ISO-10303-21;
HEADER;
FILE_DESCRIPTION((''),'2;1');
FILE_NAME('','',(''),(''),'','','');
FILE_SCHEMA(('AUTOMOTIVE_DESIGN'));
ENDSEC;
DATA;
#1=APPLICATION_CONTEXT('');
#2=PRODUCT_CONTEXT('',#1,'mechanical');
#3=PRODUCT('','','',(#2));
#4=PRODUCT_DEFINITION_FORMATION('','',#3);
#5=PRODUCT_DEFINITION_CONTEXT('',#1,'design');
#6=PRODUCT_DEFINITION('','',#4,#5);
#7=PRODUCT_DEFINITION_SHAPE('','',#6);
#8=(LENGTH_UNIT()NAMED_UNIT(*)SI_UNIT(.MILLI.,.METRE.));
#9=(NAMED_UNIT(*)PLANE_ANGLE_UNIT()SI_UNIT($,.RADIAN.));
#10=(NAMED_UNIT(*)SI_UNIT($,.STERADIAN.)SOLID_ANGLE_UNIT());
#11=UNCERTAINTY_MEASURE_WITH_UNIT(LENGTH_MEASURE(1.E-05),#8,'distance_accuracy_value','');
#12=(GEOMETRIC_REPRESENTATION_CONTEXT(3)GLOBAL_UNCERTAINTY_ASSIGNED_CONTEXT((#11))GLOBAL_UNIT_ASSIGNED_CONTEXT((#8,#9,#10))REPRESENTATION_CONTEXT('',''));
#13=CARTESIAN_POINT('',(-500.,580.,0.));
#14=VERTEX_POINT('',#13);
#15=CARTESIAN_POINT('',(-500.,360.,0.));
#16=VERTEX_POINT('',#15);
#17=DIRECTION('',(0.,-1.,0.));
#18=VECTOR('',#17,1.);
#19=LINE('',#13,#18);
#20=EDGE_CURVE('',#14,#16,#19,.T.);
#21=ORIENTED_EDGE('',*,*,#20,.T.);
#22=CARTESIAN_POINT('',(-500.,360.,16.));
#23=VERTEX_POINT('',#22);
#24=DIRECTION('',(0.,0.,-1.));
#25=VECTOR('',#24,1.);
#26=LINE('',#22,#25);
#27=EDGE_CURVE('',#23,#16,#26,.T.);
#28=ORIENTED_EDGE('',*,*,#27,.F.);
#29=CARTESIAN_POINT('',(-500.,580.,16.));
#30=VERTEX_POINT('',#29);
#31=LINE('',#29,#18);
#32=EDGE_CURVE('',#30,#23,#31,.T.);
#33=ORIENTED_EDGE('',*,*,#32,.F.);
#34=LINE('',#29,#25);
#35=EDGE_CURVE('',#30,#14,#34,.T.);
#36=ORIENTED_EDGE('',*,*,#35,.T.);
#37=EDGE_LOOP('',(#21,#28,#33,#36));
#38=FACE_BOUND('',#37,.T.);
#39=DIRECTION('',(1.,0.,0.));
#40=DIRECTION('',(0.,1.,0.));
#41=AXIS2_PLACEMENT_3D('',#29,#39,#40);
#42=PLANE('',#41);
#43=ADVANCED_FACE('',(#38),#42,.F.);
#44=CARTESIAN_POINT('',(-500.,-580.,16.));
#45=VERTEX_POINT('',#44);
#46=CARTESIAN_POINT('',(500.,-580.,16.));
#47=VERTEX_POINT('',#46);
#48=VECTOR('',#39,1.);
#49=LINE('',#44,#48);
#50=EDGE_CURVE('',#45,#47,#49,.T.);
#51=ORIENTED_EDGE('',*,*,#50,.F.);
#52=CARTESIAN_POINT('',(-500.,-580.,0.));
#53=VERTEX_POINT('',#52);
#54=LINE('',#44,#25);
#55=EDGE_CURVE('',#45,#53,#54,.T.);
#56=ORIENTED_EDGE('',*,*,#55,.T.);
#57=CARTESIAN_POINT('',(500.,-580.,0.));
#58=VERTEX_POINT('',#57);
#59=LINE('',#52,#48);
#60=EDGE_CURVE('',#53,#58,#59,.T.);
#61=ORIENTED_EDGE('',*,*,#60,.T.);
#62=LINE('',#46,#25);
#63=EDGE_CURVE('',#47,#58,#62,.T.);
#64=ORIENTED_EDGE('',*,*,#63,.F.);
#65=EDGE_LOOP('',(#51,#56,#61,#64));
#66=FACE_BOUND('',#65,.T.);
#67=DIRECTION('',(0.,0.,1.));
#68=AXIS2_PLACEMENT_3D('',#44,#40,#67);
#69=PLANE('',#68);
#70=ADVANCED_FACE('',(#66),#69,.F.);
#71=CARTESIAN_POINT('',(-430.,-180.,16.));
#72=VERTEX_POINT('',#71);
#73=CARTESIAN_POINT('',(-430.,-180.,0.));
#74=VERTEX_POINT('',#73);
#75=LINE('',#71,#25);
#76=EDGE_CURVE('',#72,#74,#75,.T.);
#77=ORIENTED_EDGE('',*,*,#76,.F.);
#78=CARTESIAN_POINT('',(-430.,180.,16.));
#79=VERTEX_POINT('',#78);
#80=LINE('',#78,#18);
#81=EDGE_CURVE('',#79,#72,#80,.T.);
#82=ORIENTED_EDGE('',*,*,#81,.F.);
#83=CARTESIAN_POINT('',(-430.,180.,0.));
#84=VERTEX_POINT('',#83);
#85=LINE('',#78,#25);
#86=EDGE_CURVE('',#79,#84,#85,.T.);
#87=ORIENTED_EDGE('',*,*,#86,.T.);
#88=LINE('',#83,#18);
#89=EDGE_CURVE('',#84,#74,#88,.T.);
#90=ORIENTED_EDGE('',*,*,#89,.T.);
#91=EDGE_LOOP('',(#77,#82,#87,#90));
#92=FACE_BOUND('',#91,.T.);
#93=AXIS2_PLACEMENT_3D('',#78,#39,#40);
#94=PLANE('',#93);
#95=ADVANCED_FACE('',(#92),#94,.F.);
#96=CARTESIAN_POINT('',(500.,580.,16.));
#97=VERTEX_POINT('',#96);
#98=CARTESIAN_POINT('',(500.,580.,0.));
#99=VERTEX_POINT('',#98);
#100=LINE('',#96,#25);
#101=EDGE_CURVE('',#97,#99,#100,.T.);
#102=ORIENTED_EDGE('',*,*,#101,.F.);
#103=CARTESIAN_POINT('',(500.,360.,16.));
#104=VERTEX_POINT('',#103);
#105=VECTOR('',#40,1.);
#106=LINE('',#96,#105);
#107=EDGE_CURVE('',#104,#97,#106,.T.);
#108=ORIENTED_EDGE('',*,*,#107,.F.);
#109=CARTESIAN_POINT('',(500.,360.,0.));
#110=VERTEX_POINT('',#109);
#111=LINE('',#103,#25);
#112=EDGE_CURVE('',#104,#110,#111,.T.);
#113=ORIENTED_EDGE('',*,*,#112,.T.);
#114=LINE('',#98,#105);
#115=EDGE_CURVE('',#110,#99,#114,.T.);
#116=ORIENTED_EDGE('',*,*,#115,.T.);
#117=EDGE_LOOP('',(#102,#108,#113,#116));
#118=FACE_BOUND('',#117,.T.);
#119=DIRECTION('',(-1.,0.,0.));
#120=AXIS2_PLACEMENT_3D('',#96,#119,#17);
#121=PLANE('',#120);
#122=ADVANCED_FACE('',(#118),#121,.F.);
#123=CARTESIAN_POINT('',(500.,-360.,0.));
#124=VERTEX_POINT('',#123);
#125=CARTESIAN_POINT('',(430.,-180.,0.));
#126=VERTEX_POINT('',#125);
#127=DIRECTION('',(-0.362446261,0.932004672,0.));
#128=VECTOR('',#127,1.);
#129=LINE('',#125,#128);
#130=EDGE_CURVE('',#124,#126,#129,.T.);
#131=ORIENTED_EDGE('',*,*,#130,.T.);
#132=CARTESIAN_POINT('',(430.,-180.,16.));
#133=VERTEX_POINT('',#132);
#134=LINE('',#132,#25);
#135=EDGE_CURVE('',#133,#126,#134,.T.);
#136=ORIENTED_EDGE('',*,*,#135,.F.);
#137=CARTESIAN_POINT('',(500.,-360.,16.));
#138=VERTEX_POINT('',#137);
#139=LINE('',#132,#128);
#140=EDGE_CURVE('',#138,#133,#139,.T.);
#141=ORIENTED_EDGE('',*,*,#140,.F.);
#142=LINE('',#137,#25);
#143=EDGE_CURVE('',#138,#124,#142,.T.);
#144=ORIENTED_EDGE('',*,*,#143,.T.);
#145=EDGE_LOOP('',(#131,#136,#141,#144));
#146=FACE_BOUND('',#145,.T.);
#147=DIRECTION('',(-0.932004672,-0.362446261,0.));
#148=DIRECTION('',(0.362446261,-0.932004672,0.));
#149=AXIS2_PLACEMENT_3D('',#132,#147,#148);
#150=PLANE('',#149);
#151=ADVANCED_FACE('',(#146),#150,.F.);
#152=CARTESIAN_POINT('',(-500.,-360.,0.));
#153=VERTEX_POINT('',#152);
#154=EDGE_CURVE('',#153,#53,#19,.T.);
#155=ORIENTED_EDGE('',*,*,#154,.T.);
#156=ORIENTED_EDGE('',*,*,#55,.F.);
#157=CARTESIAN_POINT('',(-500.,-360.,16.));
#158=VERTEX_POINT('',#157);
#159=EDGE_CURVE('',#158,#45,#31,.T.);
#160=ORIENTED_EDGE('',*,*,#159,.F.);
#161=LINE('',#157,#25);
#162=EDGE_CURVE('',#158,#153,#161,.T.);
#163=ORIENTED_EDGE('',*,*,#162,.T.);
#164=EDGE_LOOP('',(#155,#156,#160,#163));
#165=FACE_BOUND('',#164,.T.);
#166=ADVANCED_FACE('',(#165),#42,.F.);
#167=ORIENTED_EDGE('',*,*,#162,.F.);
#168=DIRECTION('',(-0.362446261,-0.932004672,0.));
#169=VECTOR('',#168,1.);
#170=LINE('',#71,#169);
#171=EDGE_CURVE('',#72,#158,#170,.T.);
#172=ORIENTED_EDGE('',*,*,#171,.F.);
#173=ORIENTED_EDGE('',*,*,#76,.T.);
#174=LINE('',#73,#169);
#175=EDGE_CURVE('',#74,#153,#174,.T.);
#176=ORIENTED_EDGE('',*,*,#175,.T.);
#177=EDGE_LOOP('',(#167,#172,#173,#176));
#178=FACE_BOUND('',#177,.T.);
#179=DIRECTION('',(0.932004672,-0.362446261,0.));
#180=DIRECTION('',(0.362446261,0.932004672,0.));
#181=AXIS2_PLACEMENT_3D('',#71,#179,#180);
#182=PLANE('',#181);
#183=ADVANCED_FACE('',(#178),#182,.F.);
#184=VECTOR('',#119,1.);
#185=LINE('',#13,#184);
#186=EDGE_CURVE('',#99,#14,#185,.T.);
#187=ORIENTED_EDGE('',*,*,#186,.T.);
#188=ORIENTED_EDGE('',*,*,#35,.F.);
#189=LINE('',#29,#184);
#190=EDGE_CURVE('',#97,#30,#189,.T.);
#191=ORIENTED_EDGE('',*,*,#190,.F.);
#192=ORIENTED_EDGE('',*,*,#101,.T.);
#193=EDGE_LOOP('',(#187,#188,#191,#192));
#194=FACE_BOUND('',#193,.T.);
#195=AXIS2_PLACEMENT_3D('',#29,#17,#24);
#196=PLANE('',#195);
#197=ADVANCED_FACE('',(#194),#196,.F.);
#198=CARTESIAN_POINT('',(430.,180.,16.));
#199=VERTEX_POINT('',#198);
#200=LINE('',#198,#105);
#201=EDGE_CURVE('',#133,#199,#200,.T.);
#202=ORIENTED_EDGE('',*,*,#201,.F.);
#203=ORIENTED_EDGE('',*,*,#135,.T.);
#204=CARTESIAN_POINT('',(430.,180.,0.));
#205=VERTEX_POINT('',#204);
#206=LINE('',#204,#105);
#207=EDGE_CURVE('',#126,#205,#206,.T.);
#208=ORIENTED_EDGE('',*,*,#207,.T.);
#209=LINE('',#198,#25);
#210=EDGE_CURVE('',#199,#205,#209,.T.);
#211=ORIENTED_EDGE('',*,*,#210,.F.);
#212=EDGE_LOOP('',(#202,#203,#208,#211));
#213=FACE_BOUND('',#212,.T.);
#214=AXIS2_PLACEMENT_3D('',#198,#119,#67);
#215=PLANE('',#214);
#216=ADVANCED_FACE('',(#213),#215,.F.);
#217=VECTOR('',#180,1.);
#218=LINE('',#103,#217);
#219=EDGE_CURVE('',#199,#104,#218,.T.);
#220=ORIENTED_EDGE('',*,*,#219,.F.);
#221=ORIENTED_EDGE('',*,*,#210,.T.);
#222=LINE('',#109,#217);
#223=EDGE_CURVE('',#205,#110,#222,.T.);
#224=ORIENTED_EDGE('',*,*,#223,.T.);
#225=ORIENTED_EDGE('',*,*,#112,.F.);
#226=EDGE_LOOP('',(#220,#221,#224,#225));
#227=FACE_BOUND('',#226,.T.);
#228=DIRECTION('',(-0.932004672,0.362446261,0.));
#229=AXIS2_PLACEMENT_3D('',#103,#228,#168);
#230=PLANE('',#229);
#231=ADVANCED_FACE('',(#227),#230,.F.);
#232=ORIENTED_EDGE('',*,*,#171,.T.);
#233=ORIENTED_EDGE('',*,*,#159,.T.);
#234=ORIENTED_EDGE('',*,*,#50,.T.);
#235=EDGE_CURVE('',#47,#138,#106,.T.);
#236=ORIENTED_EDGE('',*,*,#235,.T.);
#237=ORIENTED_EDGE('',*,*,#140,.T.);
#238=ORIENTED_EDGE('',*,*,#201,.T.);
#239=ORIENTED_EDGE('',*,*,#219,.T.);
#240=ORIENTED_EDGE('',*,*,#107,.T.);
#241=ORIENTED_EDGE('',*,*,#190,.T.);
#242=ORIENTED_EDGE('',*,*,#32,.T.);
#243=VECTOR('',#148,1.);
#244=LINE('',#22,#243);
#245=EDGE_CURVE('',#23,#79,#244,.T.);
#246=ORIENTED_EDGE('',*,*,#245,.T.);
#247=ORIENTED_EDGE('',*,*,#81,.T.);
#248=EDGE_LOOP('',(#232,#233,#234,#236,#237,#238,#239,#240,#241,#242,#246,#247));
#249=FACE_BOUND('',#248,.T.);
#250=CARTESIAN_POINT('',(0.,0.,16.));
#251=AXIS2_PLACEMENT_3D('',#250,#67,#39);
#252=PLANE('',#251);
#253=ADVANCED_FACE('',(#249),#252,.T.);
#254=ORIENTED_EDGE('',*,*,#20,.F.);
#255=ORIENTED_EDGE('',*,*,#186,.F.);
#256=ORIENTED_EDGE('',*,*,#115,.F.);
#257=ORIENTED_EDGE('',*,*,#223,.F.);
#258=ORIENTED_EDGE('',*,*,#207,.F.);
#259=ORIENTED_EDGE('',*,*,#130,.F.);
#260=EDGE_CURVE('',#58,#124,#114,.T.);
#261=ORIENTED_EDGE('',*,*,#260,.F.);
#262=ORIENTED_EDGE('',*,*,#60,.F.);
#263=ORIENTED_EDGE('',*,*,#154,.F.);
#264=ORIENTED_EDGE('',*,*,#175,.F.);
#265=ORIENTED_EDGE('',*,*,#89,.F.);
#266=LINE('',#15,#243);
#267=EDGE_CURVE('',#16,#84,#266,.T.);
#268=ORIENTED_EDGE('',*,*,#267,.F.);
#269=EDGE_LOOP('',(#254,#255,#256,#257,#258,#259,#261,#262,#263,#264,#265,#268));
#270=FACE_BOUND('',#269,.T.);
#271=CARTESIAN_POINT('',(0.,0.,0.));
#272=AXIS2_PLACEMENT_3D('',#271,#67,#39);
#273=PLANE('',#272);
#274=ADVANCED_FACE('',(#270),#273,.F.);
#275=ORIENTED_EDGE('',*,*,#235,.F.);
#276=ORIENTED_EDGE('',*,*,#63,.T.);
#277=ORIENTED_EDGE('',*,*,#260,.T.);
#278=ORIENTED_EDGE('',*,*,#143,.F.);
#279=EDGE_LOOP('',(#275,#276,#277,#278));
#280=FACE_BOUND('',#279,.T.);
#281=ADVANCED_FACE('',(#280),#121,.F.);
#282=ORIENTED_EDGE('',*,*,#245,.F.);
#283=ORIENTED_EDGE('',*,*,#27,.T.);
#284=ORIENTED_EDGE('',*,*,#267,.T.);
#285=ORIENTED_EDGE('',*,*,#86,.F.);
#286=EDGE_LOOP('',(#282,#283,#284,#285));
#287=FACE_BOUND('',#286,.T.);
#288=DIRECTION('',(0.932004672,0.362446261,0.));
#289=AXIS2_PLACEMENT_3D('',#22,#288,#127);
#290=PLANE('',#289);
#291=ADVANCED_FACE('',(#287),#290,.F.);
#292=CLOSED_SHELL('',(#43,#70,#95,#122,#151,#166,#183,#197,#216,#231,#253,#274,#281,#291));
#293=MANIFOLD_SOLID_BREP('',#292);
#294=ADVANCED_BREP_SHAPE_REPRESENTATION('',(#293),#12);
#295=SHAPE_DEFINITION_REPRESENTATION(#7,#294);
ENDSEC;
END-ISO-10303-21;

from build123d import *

# Parameters (mm, degrees)
SKETCH_2_W          = 1000
SKETCH_2_H          = 1160
EXTRUDE_1_DEPTH     = 16
CUT_EXTRUDE_1_DEPTH = 766.934723067


with BuildPart() as part:
    # 草图2 → 凸台-拉伸1 (new body)
    with BuildSketch(Plane.XY):
        Rectangle(SKETCH_2_W, SKETCH_2_H)
    extrude(amount=EXTRUDE_1_DEPTH)

    # 草图4 → 切除-拉伸1 (cut, through all)
    with BuildSketch(Plane(origin=(0, 0, 0), x_dir=(-1, 0, 0), z_dir=(0, 0, -1))):
        Polygon((-500, 360), (-430, 180), (-430, -180), (-500, -360), align=None)
        Polygon((430, 180), (430, -180), (500, -360), (500, 360), align=None)
    extrude(amount=-CUT_EXTRUDE_1_DEPTH, mode=Mode.SUBTRACT)


solid = part.part
